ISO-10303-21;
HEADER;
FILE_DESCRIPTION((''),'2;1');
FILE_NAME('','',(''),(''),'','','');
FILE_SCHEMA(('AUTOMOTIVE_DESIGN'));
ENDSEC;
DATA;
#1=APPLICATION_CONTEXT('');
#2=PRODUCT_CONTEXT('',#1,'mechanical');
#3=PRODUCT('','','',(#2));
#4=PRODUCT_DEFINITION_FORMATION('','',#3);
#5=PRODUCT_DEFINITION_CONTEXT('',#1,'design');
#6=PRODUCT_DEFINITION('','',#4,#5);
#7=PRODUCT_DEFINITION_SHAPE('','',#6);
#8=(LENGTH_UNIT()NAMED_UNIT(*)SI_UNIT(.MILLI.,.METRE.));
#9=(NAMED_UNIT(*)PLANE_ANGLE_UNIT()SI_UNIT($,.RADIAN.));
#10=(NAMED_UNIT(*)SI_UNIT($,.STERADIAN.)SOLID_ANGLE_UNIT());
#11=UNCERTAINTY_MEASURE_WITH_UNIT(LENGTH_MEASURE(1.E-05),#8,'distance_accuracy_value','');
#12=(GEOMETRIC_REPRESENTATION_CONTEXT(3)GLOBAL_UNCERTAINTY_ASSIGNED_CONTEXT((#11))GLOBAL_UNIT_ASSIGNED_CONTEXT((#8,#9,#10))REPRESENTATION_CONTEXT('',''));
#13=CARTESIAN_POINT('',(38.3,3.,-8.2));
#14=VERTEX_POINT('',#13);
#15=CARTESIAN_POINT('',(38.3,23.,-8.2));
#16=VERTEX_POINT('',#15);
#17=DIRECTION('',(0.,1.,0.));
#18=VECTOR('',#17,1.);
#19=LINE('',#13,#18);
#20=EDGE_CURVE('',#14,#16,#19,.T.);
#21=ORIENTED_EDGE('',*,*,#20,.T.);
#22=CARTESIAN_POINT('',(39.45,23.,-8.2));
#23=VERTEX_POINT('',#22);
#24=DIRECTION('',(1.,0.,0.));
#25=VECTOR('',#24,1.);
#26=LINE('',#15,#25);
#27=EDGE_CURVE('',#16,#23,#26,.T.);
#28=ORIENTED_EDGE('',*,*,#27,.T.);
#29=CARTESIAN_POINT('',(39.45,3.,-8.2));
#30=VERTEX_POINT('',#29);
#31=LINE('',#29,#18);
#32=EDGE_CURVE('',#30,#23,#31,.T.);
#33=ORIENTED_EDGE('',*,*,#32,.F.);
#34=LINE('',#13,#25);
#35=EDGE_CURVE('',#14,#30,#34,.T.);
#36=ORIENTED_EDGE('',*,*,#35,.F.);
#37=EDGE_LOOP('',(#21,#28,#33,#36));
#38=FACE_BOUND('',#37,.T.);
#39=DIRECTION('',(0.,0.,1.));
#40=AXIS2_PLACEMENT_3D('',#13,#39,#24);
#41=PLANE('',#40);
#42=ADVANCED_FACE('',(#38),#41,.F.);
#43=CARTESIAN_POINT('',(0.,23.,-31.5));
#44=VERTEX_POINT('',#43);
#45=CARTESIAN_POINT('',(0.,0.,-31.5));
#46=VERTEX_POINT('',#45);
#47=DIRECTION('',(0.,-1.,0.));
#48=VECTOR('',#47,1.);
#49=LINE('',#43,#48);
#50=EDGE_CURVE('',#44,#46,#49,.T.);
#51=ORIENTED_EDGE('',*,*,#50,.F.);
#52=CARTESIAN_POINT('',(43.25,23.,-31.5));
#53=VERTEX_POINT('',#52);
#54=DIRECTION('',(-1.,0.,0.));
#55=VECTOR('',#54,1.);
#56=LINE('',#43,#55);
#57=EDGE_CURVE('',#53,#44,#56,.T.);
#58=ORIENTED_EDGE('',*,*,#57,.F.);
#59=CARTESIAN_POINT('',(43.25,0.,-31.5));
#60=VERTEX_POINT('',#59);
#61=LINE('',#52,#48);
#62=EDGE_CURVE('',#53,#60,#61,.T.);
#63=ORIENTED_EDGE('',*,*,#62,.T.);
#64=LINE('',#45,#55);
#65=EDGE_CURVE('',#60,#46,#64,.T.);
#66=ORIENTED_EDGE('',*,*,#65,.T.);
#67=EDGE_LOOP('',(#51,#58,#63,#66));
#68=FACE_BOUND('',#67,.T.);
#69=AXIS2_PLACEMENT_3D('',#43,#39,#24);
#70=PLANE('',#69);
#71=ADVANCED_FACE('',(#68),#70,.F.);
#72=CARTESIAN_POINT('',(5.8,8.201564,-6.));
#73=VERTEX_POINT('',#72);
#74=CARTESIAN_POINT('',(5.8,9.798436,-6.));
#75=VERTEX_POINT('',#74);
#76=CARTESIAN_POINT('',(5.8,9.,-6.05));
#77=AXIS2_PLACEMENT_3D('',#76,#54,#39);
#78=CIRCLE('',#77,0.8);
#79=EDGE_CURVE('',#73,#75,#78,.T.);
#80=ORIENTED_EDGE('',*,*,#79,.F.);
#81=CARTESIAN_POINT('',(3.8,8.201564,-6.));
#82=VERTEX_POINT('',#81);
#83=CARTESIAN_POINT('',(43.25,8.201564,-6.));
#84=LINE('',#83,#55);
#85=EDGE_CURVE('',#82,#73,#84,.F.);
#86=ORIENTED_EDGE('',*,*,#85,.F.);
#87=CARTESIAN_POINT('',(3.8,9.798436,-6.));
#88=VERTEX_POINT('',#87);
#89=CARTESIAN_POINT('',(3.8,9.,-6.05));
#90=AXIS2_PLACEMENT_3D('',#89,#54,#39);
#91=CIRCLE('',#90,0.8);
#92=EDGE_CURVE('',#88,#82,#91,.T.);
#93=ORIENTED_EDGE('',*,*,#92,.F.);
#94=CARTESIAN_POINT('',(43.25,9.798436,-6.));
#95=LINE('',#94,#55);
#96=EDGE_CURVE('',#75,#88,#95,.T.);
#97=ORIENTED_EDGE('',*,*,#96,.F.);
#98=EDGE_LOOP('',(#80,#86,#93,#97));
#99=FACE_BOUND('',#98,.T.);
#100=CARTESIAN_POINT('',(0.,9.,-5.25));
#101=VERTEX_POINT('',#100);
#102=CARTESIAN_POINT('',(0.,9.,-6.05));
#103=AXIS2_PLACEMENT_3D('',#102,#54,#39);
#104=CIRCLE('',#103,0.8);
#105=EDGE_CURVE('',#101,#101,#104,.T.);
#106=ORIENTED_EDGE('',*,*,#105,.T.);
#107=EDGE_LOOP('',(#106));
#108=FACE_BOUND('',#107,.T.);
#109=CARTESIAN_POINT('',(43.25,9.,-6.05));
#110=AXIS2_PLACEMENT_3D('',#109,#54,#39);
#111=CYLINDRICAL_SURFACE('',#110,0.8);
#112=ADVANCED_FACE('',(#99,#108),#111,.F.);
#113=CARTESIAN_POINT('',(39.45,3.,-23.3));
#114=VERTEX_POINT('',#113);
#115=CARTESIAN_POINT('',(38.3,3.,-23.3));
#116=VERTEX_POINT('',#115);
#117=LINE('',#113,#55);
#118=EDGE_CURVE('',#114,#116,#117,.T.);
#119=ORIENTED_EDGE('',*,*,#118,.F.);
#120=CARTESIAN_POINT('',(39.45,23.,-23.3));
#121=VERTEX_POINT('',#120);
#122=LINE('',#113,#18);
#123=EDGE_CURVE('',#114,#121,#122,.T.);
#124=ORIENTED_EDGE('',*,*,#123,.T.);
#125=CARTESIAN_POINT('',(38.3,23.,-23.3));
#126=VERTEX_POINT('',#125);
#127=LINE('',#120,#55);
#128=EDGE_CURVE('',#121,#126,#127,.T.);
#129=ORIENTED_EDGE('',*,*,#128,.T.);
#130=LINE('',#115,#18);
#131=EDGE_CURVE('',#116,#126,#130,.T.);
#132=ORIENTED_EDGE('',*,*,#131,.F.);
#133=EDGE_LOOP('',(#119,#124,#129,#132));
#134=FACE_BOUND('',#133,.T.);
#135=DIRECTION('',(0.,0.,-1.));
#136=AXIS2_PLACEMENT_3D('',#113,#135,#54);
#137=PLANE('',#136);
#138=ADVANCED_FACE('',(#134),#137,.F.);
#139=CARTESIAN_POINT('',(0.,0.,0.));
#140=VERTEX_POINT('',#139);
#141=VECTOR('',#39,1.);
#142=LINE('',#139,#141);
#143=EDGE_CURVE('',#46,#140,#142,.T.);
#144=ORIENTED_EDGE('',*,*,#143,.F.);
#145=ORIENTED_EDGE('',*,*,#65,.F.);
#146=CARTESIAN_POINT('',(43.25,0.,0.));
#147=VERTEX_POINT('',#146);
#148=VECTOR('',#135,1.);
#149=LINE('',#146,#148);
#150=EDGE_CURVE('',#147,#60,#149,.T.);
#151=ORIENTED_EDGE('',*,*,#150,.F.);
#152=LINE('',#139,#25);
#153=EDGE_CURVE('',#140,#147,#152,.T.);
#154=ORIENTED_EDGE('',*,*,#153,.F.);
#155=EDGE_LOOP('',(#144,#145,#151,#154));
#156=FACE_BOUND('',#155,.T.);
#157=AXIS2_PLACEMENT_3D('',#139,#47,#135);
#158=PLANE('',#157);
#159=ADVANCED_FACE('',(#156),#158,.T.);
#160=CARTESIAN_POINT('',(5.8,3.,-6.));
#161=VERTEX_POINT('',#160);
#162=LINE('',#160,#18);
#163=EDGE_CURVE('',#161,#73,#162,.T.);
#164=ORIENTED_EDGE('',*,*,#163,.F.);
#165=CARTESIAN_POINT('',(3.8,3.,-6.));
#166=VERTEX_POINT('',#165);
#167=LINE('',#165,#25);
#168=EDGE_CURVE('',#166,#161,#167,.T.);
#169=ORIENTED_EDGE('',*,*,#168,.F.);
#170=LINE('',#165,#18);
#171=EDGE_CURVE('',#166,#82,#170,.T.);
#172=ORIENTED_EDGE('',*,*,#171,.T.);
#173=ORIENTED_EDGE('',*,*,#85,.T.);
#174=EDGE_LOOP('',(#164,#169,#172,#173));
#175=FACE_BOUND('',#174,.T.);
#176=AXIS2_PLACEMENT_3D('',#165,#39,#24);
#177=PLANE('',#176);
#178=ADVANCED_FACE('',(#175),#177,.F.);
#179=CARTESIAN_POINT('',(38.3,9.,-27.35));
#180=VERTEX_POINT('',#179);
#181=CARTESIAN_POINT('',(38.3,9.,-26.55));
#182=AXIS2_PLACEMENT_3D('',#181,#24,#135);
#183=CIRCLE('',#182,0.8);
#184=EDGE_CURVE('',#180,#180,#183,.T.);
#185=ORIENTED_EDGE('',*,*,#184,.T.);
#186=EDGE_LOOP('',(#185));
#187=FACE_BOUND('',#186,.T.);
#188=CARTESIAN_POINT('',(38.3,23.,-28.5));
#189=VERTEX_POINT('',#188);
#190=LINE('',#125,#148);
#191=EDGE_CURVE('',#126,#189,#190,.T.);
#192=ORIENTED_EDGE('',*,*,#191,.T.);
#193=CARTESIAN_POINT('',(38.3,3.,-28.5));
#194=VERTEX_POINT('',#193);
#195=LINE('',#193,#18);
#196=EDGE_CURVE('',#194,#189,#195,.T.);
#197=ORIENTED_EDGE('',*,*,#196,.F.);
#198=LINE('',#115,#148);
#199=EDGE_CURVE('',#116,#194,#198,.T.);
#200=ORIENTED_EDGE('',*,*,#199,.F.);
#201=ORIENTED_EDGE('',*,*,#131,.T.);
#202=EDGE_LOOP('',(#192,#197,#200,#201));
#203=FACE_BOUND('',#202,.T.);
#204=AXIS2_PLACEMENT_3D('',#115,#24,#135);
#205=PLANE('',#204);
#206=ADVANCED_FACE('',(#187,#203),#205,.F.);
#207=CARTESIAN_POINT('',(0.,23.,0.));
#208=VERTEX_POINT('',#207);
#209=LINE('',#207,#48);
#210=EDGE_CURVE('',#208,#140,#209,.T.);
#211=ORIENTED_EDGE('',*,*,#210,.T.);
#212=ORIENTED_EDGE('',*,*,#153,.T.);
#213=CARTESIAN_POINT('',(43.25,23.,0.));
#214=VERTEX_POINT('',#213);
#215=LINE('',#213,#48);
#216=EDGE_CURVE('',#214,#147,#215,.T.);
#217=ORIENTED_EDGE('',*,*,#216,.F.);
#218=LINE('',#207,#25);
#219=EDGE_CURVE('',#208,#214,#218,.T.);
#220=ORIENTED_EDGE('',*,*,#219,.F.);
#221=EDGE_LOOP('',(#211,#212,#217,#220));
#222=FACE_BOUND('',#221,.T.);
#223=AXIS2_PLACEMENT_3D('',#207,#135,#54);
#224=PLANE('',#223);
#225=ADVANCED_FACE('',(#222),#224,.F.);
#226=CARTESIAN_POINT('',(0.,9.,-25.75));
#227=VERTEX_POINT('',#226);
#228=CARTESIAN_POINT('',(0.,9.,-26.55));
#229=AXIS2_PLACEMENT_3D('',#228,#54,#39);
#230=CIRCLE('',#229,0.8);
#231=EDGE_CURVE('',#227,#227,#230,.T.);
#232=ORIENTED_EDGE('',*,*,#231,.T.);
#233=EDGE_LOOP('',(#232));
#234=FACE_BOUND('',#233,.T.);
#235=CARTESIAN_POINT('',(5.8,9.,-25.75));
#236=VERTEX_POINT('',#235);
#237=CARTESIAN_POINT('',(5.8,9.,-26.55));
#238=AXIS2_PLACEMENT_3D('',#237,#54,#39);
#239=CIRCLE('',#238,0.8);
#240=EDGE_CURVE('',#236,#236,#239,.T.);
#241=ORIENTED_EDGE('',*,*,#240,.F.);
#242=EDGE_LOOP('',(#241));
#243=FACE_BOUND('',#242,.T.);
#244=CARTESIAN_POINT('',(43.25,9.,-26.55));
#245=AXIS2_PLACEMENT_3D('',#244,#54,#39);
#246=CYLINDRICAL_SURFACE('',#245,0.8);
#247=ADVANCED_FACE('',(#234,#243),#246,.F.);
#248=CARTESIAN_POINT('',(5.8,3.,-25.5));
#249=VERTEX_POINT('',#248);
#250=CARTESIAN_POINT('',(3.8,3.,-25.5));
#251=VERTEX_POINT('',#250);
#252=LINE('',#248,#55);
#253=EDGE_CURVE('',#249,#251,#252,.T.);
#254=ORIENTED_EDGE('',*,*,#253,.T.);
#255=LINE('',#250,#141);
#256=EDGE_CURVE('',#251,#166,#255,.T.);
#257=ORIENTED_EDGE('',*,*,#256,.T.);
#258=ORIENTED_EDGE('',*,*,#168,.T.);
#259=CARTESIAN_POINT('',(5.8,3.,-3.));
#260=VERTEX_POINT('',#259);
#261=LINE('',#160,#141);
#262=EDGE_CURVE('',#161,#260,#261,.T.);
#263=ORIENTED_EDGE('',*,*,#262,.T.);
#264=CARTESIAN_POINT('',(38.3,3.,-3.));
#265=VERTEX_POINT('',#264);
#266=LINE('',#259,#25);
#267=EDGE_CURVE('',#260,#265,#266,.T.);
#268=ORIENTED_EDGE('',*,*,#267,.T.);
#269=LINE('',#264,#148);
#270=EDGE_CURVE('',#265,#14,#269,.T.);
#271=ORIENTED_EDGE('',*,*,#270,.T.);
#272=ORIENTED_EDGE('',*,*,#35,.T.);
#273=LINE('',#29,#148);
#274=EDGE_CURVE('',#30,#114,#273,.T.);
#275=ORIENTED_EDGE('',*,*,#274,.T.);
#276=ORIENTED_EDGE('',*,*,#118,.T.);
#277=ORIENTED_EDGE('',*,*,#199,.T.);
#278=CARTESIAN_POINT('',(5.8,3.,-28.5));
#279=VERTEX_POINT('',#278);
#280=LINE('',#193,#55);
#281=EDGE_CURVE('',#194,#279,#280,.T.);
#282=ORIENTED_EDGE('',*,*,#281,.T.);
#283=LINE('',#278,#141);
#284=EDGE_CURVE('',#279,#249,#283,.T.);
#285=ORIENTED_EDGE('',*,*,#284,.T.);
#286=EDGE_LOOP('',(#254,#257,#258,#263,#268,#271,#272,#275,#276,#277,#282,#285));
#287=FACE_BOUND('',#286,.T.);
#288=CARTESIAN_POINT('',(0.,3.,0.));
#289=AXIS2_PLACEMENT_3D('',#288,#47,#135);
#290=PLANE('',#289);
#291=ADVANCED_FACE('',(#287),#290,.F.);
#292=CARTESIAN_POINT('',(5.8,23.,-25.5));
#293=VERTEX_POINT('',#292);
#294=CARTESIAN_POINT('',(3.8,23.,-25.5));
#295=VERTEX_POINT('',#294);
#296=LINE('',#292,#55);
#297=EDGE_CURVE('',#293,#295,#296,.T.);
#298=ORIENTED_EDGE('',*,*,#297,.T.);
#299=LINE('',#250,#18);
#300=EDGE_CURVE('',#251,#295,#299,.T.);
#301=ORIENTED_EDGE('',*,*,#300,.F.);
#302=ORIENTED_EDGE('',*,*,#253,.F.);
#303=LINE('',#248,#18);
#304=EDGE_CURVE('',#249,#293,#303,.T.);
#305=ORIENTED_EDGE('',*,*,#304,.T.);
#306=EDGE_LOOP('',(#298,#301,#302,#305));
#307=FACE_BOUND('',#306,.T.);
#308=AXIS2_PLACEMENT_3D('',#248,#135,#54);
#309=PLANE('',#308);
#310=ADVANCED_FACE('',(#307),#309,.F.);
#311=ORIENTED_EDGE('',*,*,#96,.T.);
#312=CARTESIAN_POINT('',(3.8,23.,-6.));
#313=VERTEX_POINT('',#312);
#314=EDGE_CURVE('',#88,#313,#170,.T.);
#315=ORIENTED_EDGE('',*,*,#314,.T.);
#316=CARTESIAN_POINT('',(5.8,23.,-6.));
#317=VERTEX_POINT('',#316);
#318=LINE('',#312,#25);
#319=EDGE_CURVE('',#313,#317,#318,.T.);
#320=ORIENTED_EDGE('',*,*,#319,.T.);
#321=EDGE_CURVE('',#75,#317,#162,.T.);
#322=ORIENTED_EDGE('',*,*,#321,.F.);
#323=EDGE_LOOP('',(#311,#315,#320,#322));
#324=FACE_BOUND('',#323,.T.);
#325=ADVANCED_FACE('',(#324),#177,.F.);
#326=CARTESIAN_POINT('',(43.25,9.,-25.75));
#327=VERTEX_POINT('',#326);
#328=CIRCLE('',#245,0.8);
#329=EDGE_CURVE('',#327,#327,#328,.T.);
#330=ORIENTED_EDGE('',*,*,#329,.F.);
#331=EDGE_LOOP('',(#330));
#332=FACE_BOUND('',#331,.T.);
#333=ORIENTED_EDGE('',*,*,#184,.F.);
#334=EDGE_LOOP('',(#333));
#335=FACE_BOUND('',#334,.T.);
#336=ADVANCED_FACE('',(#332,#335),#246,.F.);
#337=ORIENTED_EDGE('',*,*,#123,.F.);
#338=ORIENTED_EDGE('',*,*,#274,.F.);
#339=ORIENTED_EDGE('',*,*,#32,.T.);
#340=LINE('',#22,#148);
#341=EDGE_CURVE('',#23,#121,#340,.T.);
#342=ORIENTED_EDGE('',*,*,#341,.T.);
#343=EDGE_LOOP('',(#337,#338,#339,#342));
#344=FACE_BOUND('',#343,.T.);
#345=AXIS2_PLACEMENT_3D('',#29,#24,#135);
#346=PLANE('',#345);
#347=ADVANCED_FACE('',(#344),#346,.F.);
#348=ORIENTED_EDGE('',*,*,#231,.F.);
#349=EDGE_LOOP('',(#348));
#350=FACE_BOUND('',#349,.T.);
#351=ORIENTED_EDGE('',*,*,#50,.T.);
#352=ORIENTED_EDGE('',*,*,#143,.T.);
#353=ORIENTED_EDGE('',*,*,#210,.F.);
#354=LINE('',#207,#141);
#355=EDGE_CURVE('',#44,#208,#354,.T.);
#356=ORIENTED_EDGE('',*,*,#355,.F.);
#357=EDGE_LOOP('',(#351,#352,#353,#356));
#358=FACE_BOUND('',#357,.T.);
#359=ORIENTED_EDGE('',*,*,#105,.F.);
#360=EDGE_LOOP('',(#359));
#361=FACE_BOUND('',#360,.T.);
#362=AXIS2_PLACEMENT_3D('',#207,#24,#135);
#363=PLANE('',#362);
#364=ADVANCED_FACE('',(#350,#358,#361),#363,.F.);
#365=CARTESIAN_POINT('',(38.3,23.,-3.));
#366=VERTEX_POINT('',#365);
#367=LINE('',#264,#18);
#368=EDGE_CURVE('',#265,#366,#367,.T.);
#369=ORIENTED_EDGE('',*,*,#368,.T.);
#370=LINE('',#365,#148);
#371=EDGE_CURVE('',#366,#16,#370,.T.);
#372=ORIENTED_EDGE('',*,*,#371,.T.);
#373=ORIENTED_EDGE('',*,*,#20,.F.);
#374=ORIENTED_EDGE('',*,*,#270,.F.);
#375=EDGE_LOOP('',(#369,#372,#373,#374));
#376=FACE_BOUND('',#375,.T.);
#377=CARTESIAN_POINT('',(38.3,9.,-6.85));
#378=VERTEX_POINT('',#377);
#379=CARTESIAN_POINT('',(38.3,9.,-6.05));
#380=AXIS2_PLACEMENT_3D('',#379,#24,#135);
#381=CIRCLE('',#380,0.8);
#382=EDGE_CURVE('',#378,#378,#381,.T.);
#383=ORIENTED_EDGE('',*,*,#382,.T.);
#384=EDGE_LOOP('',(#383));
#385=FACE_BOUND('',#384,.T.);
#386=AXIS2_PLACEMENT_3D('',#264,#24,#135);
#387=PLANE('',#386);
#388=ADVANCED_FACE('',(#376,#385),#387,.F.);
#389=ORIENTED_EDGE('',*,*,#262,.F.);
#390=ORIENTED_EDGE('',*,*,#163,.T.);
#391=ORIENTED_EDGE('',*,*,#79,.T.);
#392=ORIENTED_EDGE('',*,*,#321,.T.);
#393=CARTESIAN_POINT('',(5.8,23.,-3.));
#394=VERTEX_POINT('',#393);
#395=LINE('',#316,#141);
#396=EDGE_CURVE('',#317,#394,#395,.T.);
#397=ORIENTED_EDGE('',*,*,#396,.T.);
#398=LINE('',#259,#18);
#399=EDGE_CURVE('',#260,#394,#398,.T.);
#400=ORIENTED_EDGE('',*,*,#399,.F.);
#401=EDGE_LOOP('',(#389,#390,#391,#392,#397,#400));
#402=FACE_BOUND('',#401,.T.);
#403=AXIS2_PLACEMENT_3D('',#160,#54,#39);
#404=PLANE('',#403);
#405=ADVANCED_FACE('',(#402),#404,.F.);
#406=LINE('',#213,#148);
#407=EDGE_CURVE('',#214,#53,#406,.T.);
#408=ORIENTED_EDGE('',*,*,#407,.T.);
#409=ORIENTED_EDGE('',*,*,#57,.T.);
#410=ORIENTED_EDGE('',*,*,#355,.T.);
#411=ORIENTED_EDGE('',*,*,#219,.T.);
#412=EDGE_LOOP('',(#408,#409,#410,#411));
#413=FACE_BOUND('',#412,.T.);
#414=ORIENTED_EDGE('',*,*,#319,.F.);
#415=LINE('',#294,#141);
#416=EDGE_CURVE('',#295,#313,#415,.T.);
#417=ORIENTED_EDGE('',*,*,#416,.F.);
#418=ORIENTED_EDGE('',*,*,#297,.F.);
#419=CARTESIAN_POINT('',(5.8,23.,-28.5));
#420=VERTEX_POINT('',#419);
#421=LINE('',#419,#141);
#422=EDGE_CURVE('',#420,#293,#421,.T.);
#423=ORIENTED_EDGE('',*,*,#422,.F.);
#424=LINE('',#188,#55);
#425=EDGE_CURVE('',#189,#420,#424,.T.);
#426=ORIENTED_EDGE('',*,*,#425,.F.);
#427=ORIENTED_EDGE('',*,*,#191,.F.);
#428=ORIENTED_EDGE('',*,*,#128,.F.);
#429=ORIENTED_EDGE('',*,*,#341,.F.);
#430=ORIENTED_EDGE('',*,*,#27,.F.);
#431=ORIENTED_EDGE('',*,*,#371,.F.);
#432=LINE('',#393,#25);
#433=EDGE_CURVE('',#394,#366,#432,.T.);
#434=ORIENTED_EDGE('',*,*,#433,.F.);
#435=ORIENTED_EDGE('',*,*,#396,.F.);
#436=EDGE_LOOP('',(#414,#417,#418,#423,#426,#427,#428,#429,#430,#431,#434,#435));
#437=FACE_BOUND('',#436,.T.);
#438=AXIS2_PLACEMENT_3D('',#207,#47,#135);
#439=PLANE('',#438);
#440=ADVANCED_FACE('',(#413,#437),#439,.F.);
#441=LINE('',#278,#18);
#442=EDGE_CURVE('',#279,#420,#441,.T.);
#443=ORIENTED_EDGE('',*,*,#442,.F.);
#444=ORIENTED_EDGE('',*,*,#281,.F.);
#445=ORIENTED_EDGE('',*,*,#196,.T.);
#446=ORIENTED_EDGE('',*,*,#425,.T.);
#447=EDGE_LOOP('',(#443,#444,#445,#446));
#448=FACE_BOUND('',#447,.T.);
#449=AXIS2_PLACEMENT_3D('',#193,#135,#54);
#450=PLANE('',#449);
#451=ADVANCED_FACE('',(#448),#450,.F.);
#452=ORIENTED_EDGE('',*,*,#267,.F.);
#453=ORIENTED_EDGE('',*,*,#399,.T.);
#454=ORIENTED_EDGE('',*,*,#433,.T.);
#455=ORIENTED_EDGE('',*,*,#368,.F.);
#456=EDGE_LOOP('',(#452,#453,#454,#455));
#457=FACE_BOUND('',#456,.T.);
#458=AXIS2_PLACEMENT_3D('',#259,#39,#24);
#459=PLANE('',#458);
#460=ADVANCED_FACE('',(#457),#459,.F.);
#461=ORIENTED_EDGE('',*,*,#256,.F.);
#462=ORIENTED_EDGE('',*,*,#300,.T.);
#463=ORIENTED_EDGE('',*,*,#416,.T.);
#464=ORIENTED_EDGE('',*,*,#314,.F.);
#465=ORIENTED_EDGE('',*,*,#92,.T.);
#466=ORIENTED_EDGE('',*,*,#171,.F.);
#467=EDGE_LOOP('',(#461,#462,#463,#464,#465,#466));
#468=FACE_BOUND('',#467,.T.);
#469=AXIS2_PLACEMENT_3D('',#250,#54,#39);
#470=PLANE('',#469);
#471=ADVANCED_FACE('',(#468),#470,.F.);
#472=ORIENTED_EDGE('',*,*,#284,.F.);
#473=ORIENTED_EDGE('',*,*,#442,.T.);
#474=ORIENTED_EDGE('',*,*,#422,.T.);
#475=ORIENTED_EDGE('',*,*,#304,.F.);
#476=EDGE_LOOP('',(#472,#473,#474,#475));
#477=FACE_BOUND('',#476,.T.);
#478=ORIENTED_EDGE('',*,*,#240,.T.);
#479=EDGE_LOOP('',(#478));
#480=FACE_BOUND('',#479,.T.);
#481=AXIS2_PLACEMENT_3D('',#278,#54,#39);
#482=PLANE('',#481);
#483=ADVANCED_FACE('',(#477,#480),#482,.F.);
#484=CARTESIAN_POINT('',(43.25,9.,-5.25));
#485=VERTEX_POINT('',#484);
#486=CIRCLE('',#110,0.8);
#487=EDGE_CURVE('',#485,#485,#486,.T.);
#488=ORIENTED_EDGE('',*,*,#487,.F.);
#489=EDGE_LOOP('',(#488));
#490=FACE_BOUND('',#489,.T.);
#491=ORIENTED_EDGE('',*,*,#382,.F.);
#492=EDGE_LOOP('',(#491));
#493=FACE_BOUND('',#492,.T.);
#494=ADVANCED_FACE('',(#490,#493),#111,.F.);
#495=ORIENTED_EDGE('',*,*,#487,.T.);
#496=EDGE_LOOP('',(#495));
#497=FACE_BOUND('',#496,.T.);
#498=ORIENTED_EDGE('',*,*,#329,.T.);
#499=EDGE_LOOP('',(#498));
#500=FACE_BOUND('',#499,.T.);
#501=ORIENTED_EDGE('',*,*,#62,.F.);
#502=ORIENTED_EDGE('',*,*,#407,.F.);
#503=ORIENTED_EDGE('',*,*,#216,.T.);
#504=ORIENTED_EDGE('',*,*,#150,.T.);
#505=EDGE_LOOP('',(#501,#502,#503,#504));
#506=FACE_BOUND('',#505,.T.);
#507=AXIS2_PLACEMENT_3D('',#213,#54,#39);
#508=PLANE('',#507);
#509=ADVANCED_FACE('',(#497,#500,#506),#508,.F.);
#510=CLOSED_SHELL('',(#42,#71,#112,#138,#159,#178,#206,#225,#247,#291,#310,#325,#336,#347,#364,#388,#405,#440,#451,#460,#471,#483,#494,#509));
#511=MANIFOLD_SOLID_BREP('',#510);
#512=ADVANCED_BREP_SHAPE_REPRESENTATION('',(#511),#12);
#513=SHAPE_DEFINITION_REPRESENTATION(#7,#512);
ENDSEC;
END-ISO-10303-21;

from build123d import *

# Parameters (mm, degrees)
SKETCH1_W               = 43.25
SKETCH1_H               = 31.5
BOSS_EXTRUDE1_DEPTH     = 23
CUT_EXTRUDE1_DEPTH      = 20
CUT_EXTRUDE2_DEPTH      = 55.663882043
CUT_EXTRUDE2_DEPTH_BACK = 55.663882043
SKETCH3_R               = 0.8


with BuildPart() as part:
    # Sketch1 → Boss-Extrude1 (new body)
    with BuildSketch(Plane(origin=(0, 0, 0), x_dir=(1, 0, 0), z_dir=(0, 1, 0))):
        with Locations((21.625, 15.75)):
            Rectangle(SKETCH1_W, SKETCH1_H)
    extrude(amount=BOSS_EXTRUDE1_DEPTH)

    # Sketch2 → Cut-Extrude1 (cut)
    with BuildSketch(Plane(origin=(0, 23, 0), x_dir=(1, 0, 0), z_dir=(0, 1, 0))):
        Polygon((38.3, 28.5), (5.8, 28.5), (5.8, 25.5), (3.8, 25.5), (3.8, 6), (5.8, 6), (5.8, 3), (38.3, 3), (38.3, 8.2), (39.45, 8.2), (39.45, 23.3), (38.3, 23.3), align=None)
    extrude(amount=-CUT_EXTRUDE1_DEPTH, mode=Mode.SUBTRACT)

    # Sketch3 → Cut-Extrude2 (cut, two sides: drawn at the far end of the back side and taken through both)
    with BuildSketch(Plane.ZY.offset(-38.3).offset(-CUT_EXTRUDE2_DEPTH_BACK)):
        with Locations((-26.55, 9)):
            Circle(SKETCH3_R)
        with Locations((-6.05, 9)):
            Circle(SKETCH3_R)
    extrude(amount=CUT_EXTRUDE2_DEPTH + CUT_EXTRUDE2_DEPTH_BACK, mode=Mode.SUBTRACT)


solid = part.part
